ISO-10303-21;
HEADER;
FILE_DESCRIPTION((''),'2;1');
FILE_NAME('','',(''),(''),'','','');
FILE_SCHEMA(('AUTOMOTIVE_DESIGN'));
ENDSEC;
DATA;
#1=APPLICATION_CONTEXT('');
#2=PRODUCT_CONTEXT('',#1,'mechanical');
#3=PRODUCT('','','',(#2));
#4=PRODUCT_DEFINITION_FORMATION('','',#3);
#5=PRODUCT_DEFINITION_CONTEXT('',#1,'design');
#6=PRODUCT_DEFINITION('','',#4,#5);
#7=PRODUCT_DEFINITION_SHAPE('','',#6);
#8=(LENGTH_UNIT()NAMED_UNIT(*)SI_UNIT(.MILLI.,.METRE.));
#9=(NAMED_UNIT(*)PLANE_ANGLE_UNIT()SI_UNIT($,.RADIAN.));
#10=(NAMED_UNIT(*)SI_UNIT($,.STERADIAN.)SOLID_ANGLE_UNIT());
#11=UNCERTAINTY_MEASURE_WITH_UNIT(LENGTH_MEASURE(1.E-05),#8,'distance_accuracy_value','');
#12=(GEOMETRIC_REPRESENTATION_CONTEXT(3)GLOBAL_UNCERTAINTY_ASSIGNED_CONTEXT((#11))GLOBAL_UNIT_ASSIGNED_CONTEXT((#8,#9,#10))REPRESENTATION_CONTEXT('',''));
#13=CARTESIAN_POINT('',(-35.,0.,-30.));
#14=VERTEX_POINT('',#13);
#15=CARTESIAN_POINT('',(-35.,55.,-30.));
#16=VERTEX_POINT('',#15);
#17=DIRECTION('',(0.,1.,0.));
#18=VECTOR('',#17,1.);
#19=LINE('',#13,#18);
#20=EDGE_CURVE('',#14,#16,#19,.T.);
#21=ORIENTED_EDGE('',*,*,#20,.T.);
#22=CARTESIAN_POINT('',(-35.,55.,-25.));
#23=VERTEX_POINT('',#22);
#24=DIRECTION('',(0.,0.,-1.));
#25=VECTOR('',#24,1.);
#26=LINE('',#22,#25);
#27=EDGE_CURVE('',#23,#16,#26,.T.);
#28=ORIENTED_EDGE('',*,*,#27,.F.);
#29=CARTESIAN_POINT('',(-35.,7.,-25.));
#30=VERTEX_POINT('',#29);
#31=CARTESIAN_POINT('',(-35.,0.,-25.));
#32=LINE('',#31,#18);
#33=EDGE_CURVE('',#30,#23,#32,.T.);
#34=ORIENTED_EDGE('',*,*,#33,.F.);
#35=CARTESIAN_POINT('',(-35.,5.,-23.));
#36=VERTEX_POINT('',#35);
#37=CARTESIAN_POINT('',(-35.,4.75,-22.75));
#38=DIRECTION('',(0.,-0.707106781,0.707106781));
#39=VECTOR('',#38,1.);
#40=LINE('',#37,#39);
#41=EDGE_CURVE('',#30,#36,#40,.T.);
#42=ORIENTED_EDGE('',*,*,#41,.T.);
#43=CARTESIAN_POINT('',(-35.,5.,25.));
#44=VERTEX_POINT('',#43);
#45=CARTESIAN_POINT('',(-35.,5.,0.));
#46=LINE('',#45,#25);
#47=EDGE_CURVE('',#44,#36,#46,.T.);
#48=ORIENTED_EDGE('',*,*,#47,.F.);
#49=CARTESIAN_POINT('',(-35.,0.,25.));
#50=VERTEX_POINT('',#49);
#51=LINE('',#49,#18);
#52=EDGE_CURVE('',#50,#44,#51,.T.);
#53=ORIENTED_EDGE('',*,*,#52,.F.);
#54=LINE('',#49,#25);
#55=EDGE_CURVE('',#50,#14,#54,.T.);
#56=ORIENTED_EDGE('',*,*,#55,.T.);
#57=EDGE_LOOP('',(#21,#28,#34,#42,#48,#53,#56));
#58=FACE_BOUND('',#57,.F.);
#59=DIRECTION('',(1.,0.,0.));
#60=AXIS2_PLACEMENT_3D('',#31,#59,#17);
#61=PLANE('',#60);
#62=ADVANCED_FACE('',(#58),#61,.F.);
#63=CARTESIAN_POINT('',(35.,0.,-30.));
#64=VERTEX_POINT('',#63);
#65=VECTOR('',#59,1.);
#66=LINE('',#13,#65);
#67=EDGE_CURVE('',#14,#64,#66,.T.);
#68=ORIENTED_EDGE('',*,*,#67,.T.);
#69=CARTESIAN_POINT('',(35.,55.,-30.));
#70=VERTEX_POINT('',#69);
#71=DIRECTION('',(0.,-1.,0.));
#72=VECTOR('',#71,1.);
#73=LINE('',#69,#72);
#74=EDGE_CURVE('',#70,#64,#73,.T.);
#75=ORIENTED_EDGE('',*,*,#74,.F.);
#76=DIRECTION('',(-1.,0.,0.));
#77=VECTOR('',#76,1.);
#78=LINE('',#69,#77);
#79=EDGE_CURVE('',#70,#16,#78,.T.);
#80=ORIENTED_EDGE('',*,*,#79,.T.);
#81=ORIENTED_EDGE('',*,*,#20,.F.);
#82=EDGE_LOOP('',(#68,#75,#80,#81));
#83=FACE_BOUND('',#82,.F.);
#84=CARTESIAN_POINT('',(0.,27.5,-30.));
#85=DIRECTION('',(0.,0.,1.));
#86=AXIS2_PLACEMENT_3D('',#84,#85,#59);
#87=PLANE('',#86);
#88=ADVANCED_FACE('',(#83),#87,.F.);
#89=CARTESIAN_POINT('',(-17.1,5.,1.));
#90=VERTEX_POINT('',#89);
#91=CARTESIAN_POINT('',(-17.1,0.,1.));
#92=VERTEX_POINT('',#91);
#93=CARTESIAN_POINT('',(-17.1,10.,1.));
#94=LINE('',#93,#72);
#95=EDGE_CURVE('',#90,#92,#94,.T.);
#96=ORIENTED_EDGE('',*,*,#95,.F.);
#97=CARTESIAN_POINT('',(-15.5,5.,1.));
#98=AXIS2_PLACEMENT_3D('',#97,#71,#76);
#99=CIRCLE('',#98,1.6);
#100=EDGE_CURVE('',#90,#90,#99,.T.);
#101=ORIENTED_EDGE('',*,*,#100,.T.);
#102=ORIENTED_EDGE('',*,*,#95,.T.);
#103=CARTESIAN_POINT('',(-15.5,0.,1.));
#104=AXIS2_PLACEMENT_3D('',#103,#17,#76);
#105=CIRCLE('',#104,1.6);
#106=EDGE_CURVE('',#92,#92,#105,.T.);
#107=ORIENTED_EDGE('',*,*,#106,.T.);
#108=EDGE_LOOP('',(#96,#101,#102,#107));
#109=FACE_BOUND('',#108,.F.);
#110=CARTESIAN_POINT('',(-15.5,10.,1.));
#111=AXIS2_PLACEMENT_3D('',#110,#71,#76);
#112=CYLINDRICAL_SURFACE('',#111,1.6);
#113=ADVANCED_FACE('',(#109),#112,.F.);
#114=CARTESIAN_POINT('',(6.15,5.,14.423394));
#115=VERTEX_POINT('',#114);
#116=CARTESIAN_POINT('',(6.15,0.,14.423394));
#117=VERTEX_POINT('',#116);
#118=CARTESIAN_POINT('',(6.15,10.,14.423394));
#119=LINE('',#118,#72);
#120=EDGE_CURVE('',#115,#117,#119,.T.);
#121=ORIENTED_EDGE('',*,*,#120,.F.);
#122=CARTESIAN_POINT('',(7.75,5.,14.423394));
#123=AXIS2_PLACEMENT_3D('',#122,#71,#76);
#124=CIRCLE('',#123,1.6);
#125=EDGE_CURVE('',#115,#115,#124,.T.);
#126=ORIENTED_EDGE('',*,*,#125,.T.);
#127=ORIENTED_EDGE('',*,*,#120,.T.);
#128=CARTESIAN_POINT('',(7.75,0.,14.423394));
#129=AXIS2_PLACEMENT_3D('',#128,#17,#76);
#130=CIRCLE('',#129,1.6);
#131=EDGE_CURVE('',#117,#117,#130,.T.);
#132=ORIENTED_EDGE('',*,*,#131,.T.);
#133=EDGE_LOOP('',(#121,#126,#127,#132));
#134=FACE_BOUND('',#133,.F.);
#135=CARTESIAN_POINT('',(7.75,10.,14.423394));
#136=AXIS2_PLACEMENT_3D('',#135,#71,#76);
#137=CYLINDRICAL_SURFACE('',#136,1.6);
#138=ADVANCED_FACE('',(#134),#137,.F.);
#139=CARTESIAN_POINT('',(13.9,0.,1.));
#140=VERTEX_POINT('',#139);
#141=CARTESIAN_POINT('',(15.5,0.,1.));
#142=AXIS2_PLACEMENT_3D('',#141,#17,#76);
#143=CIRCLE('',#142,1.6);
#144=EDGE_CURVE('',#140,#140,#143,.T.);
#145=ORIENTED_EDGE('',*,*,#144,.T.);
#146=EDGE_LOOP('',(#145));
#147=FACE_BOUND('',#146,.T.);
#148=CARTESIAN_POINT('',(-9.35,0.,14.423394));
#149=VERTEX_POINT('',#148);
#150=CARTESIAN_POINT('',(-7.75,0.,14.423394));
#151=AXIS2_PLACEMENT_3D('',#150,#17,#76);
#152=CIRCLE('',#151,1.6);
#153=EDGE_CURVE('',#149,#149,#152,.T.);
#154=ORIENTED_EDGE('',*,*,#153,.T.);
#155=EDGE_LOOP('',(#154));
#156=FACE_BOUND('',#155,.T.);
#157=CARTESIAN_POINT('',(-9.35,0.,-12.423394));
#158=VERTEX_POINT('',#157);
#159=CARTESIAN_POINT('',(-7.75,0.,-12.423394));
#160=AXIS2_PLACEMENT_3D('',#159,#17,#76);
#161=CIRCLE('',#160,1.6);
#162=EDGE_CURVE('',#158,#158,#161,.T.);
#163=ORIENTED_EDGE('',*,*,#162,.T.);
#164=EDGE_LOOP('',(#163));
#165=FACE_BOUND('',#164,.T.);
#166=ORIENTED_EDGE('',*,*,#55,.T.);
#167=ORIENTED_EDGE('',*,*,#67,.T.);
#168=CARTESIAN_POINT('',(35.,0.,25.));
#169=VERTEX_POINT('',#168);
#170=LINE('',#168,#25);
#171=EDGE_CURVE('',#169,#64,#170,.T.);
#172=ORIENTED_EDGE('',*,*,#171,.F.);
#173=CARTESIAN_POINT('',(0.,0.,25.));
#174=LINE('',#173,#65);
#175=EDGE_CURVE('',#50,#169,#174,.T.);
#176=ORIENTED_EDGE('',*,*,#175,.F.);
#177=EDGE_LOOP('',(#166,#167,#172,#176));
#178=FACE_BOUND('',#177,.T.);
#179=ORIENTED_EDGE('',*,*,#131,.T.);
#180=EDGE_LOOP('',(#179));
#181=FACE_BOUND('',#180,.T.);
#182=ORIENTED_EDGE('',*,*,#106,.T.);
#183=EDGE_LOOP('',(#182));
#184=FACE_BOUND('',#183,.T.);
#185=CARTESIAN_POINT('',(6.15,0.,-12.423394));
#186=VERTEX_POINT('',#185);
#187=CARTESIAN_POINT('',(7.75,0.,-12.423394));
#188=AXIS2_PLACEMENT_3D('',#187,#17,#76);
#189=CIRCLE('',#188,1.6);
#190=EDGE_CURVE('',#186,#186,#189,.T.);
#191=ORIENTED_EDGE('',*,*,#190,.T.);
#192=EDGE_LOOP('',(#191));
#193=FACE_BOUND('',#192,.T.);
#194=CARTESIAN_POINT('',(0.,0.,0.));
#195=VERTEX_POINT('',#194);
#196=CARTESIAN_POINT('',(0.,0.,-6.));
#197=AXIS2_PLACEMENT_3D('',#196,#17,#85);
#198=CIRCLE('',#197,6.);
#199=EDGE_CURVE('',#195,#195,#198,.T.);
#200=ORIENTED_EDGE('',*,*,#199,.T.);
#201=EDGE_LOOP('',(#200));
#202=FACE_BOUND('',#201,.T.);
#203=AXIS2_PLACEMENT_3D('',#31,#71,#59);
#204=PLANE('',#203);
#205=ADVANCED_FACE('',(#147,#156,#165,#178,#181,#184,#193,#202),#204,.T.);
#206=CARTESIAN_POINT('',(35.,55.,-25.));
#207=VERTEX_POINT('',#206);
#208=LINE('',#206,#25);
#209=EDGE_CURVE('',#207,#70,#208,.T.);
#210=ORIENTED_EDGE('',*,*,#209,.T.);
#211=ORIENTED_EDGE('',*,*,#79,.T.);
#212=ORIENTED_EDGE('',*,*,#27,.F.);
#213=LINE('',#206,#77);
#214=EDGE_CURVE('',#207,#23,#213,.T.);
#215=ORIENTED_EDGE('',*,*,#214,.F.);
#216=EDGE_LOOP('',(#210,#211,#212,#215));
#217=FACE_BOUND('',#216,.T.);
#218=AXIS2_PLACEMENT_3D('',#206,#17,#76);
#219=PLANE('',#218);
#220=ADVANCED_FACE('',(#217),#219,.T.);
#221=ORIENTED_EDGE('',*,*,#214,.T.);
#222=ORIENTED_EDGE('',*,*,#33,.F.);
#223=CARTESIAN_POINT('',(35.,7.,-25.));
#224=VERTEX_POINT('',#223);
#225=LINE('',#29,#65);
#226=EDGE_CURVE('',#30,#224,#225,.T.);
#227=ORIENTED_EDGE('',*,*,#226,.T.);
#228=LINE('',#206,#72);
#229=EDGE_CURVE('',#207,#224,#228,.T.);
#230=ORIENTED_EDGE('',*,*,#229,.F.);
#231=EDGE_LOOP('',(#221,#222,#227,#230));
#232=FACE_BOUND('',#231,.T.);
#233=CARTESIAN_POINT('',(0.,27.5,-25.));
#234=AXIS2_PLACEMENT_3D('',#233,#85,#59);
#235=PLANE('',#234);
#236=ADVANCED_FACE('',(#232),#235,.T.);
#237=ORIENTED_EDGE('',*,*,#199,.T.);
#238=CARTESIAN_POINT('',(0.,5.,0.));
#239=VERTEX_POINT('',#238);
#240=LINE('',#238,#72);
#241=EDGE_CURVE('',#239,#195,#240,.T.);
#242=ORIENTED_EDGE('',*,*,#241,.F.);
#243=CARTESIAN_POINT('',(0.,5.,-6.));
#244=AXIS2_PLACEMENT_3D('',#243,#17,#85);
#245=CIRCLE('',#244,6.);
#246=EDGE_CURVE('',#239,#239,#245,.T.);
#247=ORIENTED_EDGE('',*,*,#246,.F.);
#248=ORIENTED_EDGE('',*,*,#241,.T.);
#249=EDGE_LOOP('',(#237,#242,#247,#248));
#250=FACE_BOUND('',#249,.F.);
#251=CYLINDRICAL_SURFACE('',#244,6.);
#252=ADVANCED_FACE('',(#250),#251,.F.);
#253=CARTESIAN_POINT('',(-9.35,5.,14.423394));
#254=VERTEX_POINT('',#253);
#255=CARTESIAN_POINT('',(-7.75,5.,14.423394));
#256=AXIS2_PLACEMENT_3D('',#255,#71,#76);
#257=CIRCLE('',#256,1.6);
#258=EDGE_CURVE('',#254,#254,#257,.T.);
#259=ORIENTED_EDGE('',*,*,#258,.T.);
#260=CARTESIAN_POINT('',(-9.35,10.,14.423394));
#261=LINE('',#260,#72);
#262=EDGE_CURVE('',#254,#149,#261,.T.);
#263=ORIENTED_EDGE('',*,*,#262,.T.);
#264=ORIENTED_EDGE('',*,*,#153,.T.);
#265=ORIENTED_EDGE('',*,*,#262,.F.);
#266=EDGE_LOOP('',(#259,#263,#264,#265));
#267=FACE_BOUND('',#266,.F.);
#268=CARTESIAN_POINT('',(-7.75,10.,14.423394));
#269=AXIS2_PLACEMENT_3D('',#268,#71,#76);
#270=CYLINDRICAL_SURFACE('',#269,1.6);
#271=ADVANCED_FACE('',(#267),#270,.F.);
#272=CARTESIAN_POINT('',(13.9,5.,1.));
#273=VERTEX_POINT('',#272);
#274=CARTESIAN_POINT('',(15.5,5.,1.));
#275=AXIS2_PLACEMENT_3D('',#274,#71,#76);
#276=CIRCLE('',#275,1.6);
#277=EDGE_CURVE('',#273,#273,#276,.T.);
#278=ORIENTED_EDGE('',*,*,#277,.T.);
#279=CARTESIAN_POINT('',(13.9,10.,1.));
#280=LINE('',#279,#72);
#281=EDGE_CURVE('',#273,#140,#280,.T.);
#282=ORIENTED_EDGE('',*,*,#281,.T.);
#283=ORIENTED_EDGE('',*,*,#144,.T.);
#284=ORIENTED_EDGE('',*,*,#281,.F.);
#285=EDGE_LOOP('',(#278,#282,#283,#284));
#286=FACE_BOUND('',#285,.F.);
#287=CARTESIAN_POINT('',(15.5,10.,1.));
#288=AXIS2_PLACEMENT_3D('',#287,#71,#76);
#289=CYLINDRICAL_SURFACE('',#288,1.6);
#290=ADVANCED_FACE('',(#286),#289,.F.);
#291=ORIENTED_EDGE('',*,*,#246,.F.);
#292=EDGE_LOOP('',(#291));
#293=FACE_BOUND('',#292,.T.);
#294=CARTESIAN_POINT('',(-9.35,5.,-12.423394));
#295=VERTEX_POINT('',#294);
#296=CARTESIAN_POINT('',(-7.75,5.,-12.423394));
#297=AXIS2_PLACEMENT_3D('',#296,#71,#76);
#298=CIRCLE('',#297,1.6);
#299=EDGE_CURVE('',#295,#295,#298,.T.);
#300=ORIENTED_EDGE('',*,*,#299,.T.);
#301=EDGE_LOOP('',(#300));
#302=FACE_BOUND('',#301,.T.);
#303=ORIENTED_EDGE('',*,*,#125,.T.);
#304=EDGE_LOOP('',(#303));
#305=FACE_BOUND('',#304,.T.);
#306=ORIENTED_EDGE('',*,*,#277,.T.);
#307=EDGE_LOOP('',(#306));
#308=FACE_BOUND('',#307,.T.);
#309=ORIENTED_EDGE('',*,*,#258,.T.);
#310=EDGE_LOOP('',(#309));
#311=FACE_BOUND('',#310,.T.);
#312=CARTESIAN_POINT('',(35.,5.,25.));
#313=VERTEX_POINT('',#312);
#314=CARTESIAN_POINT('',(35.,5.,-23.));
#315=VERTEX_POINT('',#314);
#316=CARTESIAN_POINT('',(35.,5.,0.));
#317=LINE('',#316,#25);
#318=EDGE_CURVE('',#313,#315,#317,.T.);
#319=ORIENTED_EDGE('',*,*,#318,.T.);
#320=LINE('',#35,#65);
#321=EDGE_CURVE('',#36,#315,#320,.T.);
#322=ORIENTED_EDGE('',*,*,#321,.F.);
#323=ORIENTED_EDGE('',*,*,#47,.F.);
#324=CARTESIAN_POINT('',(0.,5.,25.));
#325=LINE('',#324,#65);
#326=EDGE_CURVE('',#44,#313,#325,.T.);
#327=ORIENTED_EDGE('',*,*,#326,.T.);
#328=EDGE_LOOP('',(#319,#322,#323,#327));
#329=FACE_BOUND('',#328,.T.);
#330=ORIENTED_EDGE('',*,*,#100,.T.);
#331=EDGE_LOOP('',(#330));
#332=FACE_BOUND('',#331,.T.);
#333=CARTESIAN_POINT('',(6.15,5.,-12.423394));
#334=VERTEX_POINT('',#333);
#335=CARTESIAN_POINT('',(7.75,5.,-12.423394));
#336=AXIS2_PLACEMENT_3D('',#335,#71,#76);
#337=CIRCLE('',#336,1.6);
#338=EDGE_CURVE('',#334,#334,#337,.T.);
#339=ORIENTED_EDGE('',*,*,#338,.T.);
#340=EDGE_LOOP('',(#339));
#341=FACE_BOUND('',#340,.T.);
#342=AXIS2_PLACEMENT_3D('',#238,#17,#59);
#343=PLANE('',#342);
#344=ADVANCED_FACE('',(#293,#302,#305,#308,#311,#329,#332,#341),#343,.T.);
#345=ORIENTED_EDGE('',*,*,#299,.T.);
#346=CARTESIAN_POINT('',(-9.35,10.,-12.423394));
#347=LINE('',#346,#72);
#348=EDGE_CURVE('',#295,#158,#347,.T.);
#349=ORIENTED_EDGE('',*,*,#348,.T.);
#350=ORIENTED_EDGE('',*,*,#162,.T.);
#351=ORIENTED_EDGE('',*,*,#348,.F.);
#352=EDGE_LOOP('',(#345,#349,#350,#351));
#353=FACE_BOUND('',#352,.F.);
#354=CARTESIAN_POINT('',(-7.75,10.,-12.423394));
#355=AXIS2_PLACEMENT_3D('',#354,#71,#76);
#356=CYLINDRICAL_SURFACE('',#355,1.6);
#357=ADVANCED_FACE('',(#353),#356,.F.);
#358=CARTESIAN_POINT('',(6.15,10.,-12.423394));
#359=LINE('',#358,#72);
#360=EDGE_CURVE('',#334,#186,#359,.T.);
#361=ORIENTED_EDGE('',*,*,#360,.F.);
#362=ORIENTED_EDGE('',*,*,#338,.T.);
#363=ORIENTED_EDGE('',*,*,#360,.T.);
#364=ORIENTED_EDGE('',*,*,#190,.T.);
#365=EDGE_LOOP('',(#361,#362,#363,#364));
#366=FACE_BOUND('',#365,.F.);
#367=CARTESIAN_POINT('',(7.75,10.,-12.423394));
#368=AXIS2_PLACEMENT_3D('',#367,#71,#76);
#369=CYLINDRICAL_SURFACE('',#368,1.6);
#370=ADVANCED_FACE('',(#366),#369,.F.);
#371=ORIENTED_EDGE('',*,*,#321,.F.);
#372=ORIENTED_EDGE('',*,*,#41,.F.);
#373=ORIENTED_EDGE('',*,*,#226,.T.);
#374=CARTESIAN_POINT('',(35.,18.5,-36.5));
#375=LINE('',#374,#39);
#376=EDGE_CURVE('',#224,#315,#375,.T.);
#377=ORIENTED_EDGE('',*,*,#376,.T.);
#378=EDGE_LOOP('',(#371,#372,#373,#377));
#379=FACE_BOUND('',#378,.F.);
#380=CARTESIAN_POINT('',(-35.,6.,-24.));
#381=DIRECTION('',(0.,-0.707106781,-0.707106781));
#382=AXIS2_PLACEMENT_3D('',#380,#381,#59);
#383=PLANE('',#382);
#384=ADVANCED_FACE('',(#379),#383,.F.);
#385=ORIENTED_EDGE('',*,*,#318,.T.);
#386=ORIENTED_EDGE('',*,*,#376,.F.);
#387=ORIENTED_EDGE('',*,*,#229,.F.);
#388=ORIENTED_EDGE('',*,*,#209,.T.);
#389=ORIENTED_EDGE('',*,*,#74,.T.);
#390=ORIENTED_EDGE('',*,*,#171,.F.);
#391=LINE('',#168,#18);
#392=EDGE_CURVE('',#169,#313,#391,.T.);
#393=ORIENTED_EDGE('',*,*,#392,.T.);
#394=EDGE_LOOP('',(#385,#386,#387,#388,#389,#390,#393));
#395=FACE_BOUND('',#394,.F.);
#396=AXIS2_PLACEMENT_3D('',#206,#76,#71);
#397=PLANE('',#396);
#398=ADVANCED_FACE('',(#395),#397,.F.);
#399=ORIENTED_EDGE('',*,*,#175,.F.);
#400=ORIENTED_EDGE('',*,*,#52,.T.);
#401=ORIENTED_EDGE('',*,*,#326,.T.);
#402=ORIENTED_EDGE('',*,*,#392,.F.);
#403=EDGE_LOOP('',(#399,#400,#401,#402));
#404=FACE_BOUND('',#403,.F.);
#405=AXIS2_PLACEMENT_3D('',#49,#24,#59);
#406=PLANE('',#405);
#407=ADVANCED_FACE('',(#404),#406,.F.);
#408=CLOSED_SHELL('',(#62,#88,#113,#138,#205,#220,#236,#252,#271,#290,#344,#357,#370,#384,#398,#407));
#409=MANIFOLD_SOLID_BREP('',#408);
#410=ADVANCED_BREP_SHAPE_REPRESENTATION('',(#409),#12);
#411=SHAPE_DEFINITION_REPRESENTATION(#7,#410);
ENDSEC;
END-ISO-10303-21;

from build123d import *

# Parameters (mm, degrees)
SZKIC2_W                    = 70
SZKIC2_H                    = 50
DODANIE_WYCI_GNI_CIE1_DEPTH = 5
OTW_R_3_2_3_2_1_D           = 3.2
OTW_R_3_2_3_2_1_DEPTH       = 5
OTW_R_3_2_3_2_1_TIP         = 0.96137699
WYTNIJ_WYCI_GNI_CIE1_REACH  = 45.301
SZKIC7_R                    = 6
DODANIE_WYCI_GNI_CIE2_DEPTH = 5
SFAZOWANIE1_SIZE            = 2


with BuildPart() as part:
    # Szkic2 → Dodanie-wyciągnięcie1 (new body)
    with BuildSketch(Plane(origin=(0, 0, 0), x_dir=(1, 0, 0), z_dir=(0, 1, 0))):
        Rectangle(SZKIC2_W, SZKIC2_H)
    extrude(amount=DODANIE_WYCI_GNI_CIE1_DEPTH)

    # Otwór Ø3.2 (3.2)1
    with Locations(Plane(origin=(0, 5, 0), x_dir=(1, 0, 0), z_dir=(0, 1, 0))):
        with Locations((-7.75, -14.423393759), (7.75, -14.423393759), (15.5, -1), (7.75, 12.423393759), (-7.75, 12.423393759), (-15.5, -1)):
            Hole(OTW_R_3_2_3_2_1_D / 2, depth=OTW_R_3_2_3_2_1_DEPTH)
            with Locations((0, 0, -(OTW_R_3_2_3_2_1_DEPTH + OTW_R_3_2_3_2_1_TIP / 2))):  # 118° drill point
                Cone(0, OTW_R_3_2_3_2_1_D / 2, OTW_R_3_2_3_2_1_TIP, mode=Mode.SUBTRACT)

    # Szkic7 → Wytnij-wyciągnięcie1 (cut, up to next)
    with BuildSketch(Plane(origin=(0, 5, 0), x_dir=(1, 0, 0), z_dir=(0, 1, 0)), mode=Mode.PRIVATE) as wytnij_wyci_gni_cie1_sk1:
        with Locations(Location((0, 6, 0), (0, 0, 270))):
            Circle(SZKIC7_R)
    wytnij_wyci_gni_cie1_tool1 = extrude(wytnij_wyci_gni_cie1_sk1.sketch, amount=-WYTNIJ_WYCI_GNI_CIE1_REACH, mode=Mode.PRIVATE) & part.part
    add(wytnij_wyci_gni_cie1_tool1.solids().sort_by_distance((0, 5, -6))[0], mode=Mode.SUBTRACT)

    # Szkic8 → Dodanie-wyciągnięcie2 (add)
    with BuildSketch(Plane(origin=(0, 0, -25), x_dir=(-1, 0, 0), z_dir=(0, 0, -1))):
        Polygon((-35, 5), (-35, 55), (35, 55), (35, 5), (35, 0), (-35, 0), align=None)
    extrude(amount=DODANIE_WYCI_GNI_CIE2_DEPTH)

    # Sfazowanie1
    sfazowanie1_edges = [part.edges().sort_by_distance(p)[0] for p in [
        (0, 5, -25),
    ]]
    chamfer(sfazowanie1_edges, length=SFAZOWANIE1_SIZE)


solid = part.part
